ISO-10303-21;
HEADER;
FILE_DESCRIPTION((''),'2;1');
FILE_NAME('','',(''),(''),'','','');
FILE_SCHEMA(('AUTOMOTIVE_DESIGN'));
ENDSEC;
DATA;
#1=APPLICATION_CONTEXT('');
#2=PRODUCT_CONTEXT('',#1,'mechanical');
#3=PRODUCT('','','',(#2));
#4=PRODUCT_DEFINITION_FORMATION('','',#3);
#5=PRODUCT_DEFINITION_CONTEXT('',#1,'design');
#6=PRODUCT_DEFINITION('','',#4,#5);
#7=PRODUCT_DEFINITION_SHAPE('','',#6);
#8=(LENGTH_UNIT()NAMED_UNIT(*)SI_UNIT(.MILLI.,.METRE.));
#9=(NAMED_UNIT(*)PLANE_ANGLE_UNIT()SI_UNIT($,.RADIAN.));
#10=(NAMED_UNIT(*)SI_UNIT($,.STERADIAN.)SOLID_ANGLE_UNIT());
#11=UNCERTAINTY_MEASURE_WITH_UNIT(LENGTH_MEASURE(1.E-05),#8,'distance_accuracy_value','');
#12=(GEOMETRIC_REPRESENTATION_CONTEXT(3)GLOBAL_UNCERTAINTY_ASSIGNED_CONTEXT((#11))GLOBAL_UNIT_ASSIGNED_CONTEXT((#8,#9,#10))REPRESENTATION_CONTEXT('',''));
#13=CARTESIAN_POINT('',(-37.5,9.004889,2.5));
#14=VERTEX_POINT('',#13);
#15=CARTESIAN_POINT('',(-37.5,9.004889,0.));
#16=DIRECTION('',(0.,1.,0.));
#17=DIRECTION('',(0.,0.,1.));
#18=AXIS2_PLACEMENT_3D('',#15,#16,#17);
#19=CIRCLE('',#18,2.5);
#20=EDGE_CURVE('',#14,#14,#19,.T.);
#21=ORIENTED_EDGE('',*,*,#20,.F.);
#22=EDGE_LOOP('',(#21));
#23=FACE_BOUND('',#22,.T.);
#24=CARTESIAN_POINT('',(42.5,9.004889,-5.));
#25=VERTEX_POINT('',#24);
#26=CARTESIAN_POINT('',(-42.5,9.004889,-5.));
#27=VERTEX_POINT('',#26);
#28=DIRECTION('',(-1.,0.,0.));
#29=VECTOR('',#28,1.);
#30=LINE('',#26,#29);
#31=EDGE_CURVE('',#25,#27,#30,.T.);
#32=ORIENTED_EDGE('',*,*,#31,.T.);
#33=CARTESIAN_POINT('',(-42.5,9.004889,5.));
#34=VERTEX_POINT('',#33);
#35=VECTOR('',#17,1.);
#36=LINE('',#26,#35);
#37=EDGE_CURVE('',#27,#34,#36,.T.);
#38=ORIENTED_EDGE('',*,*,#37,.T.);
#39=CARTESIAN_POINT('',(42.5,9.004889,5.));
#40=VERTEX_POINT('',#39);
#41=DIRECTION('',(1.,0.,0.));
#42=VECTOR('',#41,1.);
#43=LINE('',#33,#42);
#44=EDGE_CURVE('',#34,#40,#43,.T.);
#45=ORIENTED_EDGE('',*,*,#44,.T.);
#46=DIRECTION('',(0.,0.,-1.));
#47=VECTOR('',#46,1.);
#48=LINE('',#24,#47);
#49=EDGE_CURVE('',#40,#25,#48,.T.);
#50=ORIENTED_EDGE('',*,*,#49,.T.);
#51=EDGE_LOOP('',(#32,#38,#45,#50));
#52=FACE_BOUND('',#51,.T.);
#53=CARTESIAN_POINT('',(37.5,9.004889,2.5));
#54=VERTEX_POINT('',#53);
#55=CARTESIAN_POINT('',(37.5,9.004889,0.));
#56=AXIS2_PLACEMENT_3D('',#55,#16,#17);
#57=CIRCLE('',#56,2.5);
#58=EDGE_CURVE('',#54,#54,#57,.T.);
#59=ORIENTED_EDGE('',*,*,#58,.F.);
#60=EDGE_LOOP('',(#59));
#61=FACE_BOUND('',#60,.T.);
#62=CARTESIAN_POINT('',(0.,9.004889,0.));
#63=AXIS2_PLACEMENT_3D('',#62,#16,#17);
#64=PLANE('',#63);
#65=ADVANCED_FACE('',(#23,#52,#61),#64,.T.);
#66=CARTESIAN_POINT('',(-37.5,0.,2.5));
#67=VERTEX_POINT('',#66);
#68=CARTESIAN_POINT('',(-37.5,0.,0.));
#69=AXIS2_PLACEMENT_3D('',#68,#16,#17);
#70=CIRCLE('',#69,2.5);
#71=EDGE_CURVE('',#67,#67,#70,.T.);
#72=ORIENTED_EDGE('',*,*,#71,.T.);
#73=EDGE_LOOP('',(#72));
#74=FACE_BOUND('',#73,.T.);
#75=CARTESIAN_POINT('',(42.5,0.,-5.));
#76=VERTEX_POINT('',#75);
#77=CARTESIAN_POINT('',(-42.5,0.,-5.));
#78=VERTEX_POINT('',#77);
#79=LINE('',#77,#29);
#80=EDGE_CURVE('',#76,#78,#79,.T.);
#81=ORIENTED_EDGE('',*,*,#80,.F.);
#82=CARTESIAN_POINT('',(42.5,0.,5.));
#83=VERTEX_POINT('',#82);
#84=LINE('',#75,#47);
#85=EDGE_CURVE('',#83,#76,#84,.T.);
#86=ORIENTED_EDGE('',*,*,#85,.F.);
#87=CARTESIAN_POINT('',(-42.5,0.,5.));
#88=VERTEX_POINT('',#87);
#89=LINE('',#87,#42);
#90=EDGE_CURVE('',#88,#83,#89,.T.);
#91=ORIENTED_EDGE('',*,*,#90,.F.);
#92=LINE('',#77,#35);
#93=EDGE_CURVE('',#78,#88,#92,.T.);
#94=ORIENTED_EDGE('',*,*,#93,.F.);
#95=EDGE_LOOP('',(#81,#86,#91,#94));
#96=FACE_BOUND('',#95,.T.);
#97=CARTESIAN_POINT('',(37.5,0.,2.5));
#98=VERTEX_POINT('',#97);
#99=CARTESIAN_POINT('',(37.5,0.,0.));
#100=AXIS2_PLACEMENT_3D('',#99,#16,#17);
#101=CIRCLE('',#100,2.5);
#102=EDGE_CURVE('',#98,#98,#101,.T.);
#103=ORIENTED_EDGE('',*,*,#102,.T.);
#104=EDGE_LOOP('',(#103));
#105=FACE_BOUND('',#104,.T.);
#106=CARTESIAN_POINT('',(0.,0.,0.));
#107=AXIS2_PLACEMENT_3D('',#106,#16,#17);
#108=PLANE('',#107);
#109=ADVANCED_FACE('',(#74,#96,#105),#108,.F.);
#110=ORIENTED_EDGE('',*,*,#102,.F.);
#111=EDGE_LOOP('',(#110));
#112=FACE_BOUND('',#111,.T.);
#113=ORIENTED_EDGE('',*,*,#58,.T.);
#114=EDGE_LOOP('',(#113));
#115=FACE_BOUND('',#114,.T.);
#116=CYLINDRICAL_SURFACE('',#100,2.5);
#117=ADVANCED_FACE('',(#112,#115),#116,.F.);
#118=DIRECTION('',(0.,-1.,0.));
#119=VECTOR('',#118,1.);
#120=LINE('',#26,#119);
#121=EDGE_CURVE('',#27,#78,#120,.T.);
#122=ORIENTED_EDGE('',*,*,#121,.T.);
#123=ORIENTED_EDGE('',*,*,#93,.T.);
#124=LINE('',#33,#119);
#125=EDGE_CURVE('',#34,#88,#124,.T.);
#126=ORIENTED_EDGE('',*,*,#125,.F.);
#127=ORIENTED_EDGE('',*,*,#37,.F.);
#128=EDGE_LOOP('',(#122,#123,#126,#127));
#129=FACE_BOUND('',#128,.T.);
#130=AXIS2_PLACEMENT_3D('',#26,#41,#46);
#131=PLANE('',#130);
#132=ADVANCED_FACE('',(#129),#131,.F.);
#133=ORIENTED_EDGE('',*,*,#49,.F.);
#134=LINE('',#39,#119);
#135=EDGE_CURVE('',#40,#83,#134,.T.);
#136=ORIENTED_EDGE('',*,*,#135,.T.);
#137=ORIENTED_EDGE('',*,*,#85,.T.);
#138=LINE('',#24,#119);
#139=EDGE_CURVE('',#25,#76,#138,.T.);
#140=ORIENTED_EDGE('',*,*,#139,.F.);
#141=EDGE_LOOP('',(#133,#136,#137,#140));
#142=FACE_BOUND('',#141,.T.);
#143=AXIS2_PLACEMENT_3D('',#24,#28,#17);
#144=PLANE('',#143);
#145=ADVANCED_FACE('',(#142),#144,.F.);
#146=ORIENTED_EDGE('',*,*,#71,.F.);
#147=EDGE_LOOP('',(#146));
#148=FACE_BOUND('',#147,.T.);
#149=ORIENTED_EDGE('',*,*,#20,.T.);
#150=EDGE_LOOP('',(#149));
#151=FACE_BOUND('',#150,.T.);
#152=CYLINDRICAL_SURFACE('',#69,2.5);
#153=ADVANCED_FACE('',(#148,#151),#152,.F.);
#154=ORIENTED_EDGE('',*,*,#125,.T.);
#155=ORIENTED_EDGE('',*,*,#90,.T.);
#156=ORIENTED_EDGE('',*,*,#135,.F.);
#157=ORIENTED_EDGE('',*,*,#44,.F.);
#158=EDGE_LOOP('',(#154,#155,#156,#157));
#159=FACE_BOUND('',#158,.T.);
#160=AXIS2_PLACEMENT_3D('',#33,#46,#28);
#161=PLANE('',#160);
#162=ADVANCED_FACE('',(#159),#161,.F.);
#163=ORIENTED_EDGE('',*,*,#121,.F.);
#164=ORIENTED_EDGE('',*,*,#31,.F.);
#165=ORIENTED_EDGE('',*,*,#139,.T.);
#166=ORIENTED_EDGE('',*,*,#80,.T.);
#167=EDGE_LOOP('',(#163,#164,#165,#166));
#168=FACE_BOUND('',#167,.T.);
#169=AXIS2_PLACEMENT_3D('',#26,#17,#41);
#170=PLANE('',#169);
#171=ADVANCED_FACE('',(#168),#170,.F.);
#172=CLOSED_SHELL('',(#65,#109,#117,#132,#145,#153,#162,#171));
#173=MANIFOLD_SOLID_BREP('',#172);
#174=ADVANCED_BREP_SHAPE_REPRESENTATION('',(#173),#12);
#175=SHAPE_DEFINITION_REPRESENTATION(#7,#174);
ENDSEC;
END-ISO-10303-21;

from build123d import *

# Parameters (mm, degrees)
SKETCH1_W           = 85
SKETCH1_H           = 10
BOSS_EXTRUDE1_DEPTH = 9.004889001
SKETCH2_R           = 2.5
CUT_EXTRUDE1_DEPTH  = 44.730287284


with BuildPart() as part:
    # Sketch1 → Boss-Extrude1 (new body)
    with BuildSketch(Plane(origin=(0, 0, 0), x_dir=(1, 0, 0), z_dir=(0, 1, 0))):
        Rectangle(SKETCH1_W, SKETCH1_H)
    extrude(amount=BOSS_EXTRUDE1_DEPTH)

    # Sketch2 → Cut-Extrude1 (cut, through all)
    with BuildSketch(Plane(origin=(0, 9.004889001, 0), x_dir=(1, 0, 0), z_dir=(0, 1, 0))):
        with Locations(Location((-37.5, 0, 0), (0, 0, 270))):
            Circle(SKETCH2_R)
        with Locations(Location((37.5, 0, 0), (0, 0, 270))):
            Circle(SKETCH2_R)
    extrude(amount=-CUT_EXTRUDE1_DEPTH, mode=Mode.SUBTRACT)


solid = part.part
